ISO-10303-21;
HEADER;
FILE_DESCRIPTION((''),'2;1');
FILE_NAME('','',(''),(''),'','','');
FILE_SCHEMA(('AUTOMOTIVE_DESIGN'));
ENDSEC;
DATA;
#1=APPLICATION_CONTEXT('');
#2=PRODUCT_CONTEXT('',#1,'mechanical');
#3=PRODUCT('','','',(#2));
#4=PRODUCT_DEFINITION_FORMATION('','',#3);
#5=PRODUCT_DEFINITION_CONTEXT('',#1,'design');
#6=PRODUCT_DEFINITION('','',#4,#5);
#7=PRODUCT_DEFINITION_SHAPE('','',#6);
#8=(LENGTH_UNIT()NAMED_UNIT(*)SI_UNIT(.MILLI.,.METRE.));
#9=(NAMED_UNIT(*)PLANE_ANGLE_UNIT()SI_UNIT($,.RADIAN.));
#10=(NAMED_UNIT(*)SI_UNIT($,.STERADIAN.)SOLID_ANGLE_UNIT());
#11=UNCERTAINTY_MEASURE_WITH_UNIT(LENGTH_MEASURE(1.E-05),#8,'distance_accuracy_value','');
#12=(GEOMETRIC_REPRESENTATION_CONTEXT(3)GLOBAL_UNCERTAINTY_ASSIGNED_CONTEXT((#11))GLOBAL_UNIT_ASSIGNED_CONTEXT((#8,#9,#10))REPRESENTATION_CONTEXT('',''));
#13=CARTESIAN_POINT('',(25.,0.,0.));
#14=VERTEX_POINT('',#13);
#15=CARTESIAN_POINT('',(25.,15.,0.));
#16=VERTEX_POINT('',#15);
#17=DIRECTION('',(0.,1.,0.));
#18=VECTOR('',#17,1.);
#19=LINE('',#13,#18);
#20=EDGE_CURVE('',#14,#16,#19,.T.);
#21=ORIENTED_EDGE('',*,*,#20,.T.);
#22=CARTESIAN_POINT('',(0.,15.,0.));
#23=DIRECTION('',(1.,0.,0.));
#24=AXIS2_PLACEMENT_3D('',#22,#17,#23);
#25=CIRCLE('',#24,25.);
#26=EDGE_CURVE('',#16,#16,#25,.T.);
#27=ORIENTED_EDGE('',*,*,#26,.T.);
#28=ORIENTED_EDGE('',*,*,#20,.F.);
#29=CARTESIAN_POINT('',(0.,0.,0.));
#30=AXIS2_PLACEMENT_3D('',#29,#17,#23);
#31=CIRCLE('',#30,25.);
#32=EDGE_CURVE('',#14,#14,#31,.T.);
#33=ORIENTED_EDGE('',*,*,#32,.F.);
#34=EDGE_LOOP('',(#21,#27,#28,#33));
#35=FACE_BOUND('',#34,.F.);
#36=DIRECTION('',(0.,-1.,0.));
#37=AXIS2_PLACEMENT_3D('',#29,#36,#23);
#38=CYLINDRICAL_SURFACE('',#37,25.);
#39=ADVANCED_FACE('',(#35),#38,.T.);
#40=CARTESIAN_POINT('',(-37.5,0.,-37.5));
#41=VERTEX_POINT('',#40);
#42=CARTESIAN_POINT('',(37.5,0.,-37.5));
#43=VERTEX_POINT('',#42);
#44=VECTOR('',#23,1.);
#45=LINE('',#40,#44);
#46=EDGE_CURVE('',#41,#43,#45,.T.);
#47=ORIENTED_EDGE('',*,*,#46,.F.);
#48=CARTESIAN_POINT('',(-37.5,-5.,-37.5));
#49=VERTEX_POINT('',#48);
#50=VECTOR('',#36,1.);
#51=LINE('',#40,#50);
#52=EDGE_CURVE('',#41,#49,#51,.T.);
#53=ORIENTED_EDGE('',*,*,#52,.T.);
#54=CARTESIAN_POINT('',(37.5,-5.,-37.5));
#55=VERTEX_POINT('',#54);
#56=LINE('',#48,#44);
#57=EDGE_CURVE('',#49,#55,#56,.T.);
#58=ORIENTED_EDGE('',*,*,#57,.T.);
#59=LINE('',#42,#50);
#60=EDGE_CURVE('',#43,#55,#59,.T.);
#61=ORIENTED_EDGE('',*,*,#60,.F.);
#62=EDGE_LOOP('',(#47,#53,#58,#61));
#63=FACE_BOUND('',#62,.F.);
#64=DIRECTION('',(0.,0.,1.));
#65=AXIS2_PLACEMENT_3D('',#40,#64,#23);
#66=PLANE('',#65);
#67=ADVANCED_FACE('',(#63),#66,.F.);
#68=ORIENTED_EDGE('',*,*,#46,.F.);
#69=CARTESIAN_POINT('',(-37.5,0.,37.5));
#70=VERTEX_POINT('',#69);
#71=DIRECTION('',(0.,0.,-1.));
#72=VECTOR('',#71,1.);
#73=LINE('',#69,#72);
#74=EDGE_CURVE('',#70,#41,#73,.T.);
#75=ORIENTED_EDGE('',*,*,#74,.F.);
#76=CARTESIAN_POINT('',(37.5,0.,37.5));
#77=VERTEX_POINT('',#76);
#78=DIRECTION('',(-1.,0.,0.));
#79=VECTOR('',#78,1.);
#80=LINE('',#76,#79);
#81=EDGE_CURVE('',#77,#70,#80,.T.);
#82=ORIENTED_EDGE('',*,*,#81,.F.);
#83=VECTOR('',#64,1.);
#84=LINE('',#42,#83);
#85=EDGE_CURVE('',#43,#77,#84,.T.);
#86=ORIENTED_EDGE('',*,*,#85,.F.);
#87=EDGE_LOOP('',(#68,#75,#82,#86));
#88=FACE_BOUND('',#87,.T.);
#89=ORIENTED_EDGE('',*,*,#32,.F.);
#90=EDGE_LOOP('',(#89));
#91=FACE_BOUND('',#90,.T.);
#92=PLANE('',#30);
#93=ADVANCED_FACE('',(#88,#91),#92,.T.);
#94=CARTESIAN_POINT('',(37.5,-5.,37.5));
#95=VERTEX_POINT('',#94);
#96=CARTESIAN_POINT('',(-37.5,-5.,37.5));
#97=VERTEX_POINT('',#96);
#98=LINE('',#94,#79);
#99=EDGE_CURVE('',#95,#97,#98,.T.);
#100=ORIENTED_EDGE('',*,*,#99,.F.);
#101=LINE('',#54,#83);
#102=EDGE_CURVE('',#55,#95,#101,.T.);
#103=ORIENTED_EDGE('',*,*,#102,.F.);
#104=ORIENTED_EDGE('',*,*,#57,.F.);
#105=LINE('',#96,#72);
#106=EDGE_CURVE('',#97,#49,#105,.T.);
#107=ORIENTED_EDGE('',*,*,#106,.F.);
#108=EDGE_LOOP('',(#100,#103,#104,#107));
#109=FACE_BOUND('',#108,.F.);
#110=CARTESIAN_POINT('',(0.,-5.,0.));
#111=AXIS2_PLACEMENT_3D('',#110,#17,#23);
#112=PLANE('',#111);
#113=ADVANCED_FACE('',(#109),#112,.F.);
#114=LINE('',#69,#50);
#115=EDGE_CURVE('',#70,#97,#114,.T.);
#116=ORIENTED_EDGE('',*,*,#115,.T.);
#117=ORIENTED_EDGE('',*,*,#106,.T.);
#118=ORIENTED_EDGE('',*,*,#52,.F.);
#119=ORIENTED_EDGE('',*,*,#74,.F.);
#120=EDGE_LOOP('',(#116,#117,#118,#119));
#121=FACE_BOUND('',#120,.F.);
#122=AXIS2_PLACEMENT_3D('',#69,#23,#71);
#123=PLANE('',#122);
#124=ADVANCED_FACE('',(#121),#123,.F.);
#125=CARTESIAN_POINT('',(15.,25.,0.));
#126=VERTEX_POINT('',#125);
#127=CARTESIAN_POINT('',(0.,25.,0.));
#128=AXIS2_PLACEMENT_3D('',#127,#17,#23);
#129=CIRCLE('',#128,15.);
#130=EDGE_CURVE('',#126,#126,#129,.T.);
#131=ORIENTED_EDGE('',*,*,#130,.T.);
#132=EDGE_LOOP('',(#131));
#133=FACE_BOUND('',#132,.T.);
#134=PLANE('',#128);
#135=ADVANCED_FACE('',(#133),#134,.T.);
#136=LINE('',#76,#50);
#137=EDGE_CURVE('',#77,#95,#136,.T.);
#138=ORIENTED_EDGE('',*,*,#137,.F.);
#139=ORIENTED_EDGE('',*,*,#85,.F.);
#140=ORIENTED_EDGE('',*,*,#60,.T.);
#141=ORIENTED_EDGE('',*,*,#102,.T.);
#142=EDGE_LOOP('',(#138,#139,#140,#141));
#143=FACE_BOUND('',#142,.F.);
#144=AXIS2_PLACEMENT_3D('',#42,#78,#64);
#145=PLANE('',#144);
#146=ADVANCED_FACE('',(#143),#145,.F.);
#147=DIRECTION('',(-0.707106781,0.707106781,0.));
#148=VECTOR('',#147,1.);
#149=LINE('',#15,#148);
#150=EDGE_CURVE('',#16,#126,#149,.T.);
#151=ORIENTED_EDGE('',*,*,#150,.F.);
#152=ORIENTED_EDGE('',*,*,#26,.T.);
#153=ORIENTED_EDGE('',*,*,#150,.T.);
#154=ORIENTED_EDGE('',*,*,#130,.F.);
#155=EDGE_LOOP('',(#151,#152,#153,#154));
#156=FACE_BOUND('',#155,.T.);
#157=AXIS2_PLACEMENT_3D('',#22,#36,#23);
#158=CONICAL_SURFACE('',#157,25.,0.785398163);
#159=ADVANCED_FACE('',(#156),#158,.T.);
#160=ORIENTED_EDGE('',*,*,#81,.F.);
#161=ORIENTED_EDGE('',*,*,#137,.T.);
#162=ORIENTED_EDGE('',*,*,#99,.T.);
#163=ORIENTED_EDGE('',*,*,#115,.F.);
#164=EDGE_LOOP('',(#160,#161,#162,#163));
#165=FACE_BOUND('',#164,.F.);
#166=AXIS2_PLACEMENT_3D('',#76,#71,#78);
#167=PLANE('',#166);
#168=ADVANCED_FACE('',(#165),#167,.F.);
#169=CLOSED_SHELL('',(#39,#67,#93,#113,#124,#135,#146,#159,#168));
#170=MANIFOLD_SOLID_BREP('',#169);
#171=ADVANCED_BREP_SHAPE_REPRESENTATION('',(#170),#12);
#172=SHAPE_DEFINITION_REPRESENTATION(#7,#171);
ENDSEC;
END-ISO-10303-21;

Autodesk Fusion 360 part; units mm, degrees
sketch "Sketch1" plane through (0, 0, 0) normal (0, 1, 0) x (1, 0, 0)
  circle A0 centre (0, 0) radius 25
  dimension "d1" = 50
extrude "Extrude1" add sketch "Sketch1" along normal blind 25
sketch "Sketch2" plane through (0, 0, 0) normal (0, 1, 0) x (1, 0, 0)
  line L0 (37.5, -37.5) -> (-37.5, -37.5)
  line L1 (-37.5, -37.5) -> (-37.5, 37.5)
  line L2 (-37.5, 37.5) -> (37.5, 37.5)
  line L3 (37.5, 37.5) -> (37.5, -37.5)
  line L4 (37.5, -37.5) -> (-37.5, 37.5) construction
  line L5 (-37.5, -37.5) -> (37.5, 37.5) construction
  dimension "d4" = 75
  dimension "d5" = 75
extrude "Extrude2" add sketch "Sketch2" against normal blind 5
chamfer "Chamfer1" distance 10 angle 45 1 edges at (-23.3082, 25, 9.0404)
